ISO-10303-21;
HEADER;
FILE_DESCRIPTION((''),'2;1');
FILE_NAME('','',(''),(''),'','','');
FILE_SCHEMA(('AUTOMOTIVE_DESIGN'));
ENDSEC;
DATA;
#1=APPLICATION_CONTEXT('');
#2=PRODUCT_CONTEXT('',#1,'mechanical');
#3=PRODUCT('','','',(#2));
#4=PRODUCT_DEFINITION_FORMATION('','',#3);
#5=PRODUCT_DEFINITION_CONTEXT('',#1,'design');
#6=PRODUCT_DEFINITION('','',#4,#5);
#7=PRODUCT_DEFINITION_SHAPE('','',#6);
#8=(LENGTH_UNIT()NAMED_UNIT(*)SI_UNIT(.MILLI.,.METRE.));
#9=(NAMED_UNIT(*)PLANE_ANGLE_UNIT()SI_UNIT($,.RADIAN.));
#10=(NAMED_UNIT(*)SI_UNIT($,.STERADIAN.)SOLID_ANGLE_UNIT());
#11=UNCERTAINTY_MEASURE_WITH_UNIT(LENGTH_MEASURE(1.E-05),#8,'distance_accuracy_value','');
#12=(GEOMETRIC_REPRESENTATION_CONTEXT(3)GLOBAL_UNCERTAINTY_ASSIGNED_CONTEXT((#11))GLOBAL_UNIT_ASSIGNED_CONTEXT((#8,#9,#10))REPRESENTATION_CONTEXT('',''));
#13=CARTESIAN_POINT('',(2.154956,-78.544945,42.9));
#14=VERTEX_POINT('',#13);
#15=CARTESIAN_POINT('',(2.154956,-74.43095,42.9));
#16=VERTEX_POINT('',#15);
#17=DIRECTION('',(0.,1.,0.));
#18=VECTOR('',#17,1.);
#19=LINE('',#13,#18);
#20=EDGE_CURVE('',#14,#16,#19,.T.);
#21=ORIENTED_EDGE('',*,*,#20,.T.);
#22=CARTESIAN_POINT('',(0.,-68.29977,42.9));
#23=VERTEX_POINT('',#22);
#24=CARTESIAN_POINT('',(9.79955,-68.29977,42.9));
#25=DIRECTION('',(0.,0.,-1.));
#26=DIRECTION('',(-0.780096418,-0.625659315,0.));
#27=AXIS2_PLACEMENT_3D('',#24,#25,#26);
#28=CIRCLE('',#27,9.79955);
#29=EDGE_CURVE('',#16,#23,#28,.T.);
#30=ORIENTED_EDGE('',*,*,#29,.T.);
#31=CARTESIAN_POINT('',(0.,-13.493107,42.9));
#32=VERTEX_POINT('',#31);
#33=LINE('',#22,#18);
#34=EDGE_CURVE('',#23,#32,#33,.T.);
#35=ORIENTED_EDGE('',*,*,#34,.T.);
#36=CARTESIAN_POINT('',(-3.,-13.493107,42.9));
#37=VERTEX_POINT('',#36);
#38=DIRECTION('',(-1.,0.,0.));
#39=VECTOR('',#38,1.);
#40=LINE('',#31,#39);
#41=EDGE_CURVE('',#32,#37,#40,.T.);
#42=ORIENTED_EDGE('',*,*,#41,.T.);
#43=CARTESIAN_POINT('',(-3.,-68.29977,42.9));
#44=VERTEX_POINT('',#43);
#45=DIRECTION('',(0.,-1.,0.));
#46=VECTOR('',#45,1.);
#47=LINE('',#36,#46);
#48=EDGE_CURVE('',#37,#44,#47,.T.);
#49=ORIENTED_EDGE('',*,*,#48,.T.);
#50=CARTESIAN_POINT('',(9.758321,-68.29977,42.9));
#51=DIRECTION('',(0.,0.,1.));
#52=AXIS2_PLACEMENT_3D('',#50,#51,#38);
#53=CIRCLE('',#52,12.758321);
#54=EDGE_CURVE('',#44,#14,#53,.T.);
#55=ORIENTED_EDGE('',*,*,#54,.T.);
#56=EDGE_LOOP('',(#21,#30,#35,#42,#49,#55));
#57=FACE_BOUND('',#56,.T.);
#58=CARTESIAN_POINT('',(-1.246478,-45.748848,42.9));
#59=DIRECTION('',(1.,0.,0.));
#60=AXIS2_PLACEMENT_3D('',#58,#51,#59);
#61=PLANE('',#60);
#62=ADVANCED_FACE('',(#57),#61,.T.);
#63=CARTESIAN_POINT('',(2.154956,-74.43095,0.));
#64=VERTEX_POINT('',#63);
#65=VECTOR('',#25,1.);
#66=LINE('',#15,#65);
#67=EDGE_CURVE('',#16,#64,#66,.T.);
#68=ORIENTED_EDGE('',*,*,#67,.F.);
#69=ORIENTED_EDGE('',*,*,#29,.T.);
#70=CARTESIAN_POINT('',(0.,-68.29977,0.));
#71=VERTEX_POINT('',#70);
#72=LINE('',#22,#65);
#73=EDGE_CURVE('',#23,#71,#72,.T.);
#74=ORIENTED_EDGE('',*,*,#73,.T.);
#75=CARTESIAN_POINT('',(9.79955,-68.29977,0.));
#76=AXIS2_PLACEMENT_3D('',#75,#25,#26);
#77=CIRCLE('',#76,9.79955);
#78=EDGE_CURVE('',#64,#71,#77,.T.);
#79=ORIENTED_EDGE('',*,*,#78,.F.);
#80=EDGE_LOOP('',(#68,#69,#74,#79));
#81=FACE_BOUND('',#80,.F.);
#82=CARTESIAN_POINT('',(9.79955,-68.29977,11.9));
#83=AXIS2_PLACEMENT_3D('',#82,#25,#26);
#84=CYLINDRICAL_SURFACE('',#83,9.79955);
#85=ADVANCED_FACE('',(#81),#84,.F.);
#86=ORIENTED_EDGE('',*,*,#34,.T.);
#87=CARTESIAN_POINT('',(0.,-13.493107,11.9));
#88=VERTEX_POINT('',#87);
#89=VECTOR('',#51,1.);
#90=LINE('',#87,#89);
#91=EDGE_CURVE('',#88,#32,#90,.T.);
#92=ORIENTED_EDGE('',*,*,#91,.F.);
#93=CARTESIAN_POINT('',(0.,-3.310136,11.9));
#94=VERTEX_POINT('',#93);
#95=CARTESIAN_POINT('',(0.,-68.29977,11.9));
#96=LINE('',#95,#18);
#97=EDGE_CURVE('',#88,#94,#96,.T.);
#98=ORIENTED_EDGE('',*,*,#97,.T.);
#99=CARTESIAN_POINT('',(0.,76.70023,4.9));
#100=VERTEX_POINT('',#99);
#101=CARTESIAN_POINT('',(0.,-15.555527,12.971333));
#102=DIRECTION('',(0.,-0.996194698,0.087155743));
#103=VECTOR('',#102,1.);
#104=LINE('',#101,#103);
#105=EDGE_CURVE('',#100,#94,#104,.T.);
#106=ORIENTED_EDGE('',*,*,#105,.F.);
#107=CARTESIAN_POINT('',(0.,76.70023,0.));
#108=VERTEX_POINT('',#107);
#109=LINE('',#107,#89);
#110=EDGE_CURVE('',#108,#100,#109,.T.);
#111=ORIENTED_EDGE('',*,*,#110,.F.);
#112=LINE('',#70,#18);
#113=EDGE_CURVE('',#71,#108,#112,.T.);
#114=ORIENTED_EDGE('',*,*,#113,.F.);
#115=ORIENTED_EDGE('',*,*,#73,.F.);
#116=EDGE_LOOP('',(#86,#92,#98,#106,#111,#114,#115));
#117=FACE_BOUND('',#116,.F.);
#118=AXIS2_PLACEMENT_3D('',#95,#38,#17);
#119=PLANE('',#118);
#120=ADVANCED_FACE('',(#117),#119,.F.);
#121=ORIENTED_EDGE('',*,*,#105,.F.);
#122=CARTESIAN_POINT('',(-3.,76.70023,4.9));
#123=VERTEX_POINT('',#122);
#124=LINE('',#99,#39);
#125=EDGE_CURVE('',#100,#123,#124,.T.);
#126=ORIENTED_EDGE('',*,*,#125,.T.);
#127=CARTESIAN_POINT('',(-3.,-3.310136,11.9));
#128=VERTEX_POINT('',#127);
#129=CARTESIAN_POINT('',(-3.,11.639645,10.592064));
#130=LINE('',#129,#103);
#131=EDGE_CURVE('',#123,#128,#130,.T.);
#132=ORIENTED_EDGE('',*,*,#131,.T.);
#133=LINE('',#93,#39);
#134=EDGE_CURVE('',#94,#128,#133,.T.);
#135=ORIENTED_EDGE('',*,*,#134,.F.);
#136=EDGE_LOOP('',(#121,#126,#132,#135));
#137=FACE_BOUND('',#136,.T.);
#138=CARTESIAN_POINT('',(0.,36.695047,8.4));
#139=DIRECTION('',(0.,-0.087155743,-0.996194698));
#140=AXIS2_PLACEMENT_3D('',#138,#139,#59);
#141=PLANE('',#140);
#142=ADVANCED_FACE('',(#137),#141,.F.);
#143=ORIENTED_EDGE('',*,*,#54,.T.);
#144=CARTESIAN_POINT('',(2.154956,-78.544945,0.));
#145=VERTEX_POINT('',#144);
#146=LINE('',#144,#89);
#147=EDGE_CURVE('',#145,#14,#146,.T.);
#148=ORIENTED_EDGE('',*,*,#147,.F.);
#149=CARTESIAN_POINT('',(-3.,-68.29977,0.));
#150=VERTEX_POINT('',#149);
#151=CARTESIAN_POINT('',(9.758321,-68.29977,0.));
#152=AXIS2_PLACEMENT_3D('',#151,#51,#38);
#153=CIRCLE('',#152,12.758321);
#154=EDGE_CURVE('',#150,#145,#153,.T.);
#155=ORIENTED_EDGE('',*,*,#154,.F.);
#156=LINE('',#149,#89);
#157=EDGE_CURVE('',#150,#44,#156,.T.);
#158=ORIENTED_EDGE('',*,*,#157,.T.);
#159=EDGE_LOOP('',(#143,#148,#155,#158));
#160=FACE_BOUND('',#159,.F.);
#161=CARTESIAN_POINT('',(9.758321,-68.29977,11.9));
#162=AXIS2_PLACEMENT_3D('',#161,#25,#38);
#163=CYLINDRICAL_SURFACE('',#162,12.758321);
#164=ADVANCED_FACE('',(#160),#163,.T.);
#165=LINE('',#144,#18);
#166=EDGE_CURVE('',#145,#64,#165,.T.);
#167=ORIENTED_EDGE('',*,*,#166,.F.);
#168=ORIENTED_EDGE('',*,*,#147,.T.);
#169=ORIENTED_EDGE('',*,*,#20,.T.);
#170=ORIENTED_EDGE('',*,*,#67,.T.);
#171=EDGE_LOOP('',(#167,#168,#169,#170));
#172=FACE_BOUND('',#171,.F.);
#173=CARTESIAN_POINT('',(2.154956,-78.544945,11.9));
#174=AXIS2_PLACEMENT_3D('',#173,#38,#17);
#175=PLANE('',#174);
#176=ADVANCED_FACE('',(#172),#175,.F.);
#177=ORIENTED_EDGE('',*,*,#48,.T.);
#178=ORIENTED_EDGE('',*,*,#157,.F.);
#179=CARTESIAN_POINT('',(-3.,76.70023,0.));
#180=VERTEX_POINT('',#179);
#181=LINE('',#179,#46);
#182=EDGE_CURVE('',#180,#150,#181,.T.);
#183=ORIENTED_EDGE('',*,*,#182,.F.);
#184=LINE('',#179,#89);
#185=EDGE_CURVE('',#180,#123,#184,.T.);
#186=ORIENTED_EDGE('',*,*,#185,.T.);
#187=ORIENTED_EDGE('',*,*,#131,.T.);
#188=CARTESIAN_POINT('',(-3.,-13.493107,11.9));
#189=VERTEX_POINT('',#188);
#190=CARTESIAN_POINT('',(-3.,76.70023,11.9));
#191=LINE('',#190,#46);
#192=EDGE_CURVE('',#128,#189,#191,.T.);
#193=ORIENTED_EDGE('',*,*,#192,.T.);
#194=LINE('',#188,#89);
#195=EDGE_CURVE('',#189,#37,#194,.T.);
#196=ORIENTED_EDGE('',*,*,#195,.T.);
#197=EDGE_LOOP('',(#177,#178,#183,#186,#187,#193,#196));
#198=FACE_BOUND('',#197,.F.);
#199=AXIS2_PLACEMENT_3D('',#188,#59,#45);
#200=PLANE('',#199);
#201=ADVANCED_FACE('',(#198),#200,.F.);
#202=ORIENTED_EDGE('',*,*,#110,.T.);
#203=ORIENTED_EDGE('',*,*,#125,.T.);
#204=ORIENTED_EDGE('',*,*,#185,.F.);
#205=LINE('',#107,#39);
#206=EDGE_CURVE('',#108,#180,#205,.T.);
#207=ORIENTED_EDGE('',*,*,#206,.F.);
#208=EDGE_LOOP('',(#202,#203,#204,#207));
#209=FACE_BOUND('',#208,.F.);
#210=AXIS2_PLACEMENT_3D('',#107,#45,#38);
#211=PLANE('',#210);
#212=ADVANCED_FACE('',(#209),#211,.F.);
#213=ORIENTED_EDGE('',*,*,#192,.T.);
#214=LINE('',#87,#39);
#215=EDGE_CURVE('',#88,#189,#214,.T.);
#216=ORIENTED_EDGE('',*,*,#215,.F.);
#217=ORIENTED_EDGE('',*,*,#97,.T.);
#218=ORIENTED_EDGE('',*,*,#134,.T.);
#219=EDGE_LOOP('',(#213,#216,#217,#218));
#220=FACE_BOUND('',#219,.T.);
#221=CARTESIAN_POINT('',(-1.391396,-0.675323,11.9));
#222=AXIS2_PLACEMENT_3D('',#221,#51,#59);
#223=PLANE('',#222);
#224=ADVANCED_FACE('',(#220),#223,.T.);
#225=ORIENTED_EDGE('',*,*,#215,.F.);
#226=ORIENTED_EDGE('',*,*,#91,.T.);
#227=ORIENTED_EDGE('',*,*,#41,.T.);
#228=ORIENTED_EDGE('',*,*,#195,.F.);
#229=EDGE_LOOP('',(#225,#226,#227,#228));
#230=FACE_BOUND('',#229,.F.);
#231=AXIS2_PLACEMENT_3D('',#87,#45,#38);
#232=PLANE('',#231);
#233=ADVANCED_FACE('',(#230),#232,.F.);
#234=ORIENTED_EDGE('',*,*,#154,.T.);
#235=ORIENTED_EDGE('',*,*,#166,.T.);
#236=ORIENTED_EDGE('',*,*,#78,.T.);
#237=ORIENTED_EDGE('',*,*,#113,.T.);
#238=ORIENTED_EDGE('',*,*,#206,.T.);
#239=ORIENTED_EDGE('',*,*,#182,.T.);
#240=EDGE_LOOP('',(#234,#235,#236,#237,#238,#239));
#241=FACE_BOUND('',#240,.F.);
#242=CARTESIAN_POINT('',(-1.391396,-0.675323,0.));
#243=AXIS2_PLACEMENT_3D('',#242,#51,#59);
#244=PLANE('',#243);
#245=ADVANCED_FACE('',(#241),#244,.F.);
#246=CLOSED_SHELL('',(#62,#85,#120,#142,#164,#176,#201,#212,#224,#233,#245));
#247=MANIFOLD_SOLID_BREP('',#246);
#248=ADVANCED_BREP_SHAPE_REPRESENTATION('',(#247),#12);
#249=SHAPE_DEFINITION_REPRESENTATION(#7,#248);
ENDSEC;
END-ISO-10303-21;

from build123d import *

# Parameters (mm, degrees)
F1_DEPTH = 11.9
F3_DEPTH = 31
F4_SIZE2 = 80.0103661193
F4_SIZE  = 7


with BuildPart() as f1:
    # F0 (on Top) → F1 (new body)
    with BuildSketch(Plane.XY):
        with BuildLine():
            Line((0, 76.7002296448), (-3, 76.7002296448))
            Line((-3, 76.7002296448), (-3, -68.2997703552))
            ThreePointArc((-3, -68.2997703552), (-1.6386286937, -74.0342530307), (2.1549561061, -78.5449445248))
            Line((2.1549561061, -78.5449445248), (2.1549561061, -74.430949986))
            ThreePointArc((2.1549561061, -74.430949986), (0.554422627, -71.5492010547), (0, -68.2997703552))
            Line((0, -68.2997703552), (0, 76.7002296448))
        make_face()
    extrude(amount=F1_DEPTH)

    # F2 (on face) → F3 (join)
    with BuildSketch(Plane.XY.offset(11.9)):
        with BuildLine():
            Line((0, -13.4931067005), (-3, -13.4931067005))
            Line((-3, -13.4931067005), (-3, -68.2997703552))
            ThreePointArc((-3, -68.2997703552), (-1.6386286937, -74.0342530307), (2.1549561061, -78.5449445248))
            Line((2.1549561061, -78.5449445248), (2.1549561061, -74.430949986))
            ThreePointArc((2.1549561061, -74.430949986), (0.554422627, -71.5492010547), (0, -68.2997703552))
            Line((0, -68.2997703552), (0, -13.4931067005))
        make_face()
    extrude(amount=F3_DEPTH)

    # F4
    f4_edges = [f1.edges().sort_by_distance(p)[0] for p in [
        (-1.5, 76.70023, 11.9),
    ]]
    f4_side = f1.faces().sort_by_distance((-1.5, 76.70023, 5.95))[0]
    chamfer(f4_edges, length=F4_SIZE, length2=F4_SIZE2, reference=f4_side)


solid = f1.part
